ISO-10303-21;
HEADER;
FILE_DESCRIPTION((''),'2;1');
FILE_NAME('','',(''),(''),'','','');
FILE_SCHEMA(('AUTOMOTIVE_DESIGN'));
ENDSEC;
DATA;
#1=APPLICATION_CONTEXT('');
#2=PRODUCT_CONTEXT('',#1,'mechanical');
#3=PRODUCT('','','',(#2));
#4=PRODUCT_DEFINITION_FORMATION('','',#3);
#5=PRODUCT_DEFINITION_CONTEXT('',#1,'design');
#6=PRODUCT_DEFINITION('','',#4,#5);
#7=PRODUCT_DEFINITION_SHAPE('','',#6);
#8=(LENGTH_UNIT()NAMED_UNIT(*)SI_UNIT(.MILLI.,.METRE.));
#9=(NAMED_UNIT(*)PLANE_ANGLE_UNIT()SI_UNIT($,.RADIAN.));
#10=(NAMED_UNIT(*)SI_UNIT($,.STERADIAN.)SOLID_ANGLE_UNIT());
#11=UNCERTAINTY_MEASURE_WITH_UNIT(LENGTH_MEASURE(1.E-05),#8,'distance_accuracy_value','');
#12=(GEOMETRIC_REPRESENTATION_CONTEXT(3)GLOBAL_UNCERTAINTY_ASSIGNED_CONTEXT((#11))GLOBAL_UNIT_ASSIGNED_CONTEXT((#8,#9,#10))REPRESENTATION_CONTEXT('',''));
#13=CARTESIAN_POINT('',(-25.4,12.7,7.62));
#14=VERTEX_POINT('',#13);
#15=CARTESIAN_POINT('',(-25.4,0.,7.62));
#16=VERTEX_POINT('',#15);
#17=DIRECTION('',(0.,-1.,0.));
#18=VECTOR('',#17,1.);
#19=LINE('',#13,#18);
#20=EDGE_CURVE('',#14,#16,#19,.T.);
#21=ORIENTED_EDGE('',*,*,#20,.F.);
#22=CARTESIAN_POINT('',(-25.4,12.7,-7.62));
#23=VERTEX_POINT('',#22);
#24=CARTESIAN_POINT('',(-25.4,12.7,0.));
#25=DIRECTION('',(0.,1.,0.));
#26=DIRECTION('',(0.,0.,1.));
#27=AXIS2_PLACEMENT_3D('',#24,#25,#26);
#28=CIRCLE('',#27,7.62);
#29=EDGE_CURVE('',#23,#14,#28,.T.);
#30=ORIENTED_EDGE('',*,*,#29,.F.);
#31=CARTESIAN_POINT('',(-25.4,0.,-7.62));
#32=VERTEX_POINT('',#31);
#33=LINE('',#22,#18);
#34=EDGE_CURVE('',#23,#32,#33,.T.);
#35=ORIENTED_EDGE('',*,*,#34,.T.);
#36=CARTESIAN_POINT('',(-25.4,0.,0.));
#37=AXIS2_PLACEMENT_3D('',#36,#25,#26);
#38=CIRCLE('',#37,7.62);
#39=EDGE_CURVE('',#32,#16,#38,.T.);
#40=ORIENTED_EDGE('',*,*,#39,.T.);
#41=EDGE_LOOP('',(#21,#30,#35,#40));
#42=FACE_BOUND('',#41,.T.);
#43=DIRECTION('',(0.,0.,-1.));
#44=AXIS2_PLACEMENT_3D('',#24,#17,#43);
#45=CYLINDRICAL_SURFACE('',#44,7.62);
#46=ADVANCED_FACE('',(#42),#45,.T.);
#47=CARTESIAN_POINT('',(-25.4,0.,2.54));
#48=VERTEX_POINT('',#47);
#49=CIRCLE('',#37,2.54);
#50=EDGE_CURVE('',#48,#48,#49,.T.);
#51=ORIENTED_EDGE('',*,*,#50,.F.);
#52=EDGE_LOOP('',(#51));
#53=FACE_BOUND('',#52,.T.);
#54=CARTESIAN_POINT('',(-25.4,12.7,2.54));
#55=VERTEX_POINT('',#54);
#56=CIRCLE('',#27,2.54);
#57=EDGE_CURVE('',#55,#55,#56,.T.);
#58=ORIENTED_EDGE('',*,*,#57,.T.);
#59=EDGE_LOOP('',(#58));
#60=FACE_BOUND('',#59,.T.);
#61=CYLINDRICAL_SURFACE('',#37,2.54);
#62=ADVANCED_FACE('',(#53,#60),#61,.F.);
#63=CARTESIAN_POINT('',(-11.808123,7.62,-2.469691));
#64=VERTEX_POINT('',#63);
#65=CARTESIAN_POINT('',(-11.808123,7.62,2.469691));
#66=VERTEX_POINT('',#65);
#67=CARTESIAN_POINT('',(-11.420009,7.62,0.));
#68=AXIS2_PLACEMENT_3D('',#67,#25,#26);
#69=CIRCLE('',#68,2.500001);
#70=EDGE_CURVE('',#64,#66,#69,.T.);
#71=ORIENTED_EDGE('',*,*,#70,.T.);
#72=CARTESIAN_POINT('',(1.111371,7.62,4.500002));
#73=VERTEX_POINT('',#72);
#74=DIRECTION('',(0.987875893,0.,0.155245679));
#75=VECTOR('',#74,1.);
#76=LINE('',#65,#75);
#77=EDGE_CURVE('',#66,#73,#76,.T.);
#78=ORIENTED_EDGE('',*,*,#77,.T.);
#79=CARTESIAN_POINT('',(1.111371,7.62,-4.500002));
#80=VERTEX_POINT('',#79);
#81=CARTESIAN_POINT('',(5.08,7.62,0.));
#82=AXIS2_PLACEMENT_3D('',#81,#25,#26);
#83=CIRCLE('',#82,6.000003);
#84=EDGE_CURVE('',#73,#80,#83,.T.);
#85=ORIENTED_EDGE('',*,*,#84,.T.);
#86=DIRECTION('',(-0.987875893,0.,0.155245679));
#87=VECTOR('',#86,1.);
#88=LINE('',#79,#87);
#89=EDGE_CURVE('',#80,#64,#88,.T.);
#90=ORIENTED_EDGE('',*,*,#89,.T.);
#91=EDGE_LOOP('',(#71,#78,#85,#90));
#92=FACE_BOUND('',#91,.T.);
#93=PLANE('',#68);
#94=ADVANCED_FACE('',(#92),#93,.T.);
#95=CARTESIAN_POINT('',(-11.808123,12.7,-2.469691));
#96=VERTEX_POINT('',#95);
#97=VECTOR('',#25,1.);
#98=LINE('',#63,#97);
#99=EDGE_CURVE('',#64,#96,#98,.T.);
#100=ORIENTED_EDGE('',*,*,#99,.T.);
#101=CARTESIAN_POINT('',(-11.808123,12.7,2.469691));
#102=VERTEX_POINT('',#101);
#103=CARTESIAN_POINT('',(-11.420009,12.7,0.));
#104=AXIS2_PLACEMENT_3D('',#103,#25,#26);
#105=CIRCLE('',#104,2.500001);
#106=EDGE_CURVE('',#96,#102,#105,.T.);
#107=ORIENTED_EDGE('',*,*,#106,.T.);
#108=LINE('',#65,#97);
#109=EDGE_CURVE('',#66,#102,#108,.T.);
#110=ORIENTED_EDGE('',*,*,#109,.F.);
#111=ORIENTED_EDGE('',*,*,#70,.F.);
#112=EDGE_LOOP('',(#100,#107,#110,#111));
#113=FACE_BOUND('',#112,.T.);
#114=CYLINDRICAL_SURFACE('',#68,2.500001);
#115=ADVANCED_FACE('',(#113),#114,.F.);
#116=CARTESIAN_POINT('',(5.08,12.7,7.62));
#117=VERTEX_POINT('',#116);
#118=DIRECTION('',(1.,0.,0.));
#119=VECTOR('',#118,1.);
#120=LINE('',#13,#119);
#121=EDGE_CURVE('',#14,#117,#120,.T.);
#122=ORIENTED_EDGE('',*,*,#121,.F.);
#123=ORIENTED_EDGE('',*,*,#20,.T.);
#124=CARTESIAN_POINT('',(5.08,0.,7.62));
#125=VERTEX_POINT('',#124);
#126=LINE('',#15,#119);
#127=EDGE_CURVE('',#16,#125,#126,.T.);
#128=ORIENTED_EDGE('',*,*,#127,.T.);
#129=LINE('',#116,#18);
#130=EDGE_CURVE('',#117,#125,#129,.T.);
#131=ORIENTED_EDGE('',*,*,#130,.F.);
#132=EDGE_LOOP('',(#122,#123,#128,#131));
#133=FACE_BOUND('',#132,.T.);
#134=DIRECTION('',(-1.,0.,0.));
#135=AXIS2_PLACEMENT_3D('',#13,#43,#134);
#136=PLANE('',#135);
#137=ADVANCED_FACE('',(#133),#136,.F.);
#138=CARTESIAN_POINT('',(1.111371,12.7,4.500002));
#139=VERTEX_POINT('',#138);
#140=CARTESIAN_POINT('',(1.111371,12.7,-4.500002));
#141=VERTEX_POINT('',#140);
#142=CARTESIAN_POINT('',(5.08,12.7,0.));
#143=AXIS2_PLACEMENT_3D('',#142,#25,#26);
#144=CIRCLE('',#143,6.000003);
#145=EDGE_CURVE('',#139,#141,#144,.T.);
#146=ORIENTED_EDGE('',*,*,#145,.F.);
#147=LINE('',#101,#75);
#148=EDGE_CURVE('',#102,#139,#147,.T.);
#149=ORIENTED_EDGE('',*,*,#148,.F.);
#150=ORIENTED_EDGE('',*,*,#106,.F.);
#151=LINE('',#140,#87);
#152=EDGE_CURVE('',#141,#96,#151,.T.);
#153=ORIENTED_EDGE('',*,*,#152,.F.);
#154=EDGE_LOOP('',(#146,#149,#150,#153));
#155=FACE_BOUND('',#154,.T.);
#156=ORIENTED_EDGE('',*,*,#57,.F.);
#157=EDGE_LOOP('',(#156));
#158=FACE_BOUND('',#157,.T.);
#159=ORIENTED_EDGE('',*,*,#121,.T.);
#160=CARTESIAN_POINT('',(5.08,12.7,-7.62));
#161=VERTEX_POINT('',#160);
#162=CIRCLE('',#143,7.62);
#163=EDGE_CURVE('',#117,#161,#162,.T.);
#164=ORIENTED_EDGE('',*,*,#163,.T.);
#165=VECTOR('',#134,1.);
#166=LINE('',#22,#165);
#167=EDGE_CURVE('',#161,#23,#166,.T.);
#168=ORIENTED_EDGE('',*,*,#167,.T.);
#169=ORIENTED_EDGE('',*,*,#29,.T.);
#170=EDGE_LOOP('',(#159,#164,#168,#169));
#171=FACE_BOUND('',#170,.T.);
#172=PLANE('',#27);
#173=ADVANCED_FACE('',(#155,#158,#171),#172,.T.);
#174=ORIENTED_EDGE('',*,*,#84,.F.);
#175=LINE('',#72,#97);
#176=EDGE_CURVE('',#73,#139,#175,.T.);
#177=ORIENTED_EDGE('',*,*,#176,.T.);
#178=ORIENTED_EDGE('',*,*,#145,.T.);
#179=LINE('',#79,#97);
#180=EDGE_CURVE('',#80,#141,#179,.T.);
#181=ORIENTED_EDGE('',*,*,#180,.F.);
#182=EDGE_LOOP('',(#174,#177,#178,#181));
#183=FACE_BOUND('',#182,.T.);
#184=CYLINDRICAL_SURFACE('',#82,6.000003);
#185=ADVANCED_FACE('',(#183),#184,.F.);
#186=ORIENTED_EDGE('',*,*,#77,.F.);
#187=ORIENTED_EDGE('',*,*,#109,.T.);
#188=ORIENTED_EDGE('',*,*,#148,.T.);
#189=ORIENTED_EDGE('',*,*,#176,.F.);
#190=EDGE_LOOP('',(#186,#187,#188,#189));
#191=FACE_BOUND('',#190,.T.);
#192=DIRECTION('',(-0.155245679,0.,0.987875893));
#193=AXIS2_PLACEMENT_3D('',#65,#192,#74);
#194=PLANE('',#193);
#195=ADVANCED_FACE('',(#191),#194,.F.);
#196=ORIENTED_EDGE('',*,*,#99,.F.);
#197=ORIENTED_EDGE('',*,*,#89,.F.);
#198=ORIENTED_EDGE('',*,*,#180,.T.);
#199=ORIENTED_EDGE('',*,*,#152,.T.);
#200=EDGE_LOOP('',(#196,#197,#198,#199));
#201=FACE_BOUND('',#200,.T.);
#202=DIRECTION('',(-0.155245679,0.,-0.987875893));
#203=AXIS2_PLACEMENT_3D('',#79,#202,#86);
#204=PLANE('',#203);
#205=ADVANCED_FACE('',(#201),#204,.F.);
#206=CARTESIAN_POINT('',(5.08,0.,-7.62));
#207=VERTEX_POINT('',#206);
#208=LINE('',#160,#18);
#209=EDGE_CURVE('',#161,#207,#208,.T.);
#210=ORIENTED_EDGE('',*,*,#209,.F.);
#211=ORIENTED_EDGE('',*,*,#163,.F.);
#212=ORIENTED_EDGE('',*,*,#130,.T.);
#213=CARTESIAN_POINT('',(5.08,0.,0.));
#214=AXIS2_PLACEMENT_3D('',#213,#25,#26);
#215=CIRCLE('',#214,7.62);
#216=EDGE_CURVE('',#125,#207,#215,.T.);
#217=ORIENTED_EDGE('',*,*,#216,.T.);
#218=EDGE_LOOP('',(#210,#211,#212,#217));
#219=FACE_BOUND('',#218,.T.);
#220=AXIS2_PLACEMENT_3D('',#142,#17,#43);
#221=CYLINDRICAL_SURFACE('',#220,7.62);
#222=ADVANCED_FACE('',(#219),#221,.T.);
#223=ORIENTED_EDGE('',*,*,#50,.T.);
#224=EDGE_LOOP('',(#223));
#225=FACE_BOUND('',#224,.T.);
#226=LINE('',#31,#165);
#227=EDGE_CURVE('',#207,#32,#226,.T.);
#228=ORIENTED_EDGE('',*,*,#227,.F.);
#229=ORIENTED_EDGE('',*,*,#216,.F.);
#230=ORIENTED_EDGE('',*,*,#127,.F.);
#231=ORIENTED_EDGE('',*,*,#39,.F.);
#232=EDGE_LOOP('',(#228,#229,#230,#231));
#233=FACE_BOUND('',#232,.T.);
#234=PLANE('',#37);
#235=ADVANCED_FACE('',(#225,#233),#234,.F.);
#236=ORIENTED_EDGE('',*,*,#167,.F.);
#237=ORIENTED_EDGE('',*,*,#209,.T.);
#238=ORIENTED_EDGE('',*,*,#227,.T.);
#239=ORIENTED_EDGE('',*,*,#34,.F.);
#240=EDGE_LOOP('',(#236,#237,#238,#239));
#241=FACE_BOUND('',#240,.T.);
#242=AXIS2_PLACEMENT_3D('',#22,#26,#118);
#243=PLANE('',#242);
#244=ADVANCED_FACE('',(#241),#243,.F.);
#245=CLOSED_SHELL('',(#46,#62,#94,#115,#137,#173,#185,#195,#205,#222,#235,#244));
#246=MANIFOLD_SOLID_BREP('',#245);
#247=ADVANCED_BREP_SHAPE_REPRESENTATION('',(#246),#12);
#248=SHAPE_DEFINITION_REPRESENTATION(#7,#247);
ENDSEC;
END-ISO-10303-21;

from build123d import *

# Parameters (mm, degrees)
BOSS_EXTRUDE1_DEPTH = 12.7
SKETCH4_R           = 2.54
CUT_EXTRUDE3_DEPTH  = 37.189429396
CUT_EXTRUDE4_DEPTH  = 5.08


with BuildPart() as part:
    # Sketch3 → Boss-Extrude1 (new body)
    with BuildSketch(Plane(origin=(0, 0, 0), x_dir=(1, 0, 0), z_dir=(0, 1, 0))):
        with BuildLine():
            Line((-25.4, 7.62), (5.08, 7.62))
            ThreePointArc((5.08, 7.62), (12.7, 0), (5.08, -7.62))
            Line((5.08, -7.62), (-25.4, -7.62))
            ThreePointArc((-25.4, -7.62), (-33.02, 0), (-25.4, 7.62))
        make_face()
    extrude(amount=BOSS_EXTRUDE1_DEPTH)

    # Sketch4 → Cut-Extrude3 (cut, through all)
    with BuildSketch(Plane(origin=(0, 12.7, 0), x_dir=(1, 0, 0), z_dir=(0, 1, 0))):
        with Locations(Location((-25.4, 0, 0), (0, 0, 270))):
            Circle(SKETCH4_R)
    extrude(amount=-CUT_EXTRUDE3_DEPTH, mode=Mode.SUBTRACT)

    # Sketch5 → Cut-Extrude4 (cut)
    with BuildSketch(Plane(origin=(0, 12.7, 0), x_dir=(1, 0, 0), z_dir=(0, 1, 0))):
        with BuildLine():
            Line((-11.808123317, -2.469691065), (1.11137089, -4.50000243))
            ThreePointArc((1.11137089, -4.50000243), (11.08000324, 0), (1.11137089, 4.50000243))
            Line((1.11137089, 4.50000243), (-11.808123317, 2.469691065))
            ThreePointArc((-11.808123317, 2.469691065), (-13.92001026, 0), (-11.808123317, -2.469691065))
        make_face()
    extrude(amount=-CUT_EXTRUDE4_DEPTH, mode=Mode.SUBTRACT)


solid = part.part
